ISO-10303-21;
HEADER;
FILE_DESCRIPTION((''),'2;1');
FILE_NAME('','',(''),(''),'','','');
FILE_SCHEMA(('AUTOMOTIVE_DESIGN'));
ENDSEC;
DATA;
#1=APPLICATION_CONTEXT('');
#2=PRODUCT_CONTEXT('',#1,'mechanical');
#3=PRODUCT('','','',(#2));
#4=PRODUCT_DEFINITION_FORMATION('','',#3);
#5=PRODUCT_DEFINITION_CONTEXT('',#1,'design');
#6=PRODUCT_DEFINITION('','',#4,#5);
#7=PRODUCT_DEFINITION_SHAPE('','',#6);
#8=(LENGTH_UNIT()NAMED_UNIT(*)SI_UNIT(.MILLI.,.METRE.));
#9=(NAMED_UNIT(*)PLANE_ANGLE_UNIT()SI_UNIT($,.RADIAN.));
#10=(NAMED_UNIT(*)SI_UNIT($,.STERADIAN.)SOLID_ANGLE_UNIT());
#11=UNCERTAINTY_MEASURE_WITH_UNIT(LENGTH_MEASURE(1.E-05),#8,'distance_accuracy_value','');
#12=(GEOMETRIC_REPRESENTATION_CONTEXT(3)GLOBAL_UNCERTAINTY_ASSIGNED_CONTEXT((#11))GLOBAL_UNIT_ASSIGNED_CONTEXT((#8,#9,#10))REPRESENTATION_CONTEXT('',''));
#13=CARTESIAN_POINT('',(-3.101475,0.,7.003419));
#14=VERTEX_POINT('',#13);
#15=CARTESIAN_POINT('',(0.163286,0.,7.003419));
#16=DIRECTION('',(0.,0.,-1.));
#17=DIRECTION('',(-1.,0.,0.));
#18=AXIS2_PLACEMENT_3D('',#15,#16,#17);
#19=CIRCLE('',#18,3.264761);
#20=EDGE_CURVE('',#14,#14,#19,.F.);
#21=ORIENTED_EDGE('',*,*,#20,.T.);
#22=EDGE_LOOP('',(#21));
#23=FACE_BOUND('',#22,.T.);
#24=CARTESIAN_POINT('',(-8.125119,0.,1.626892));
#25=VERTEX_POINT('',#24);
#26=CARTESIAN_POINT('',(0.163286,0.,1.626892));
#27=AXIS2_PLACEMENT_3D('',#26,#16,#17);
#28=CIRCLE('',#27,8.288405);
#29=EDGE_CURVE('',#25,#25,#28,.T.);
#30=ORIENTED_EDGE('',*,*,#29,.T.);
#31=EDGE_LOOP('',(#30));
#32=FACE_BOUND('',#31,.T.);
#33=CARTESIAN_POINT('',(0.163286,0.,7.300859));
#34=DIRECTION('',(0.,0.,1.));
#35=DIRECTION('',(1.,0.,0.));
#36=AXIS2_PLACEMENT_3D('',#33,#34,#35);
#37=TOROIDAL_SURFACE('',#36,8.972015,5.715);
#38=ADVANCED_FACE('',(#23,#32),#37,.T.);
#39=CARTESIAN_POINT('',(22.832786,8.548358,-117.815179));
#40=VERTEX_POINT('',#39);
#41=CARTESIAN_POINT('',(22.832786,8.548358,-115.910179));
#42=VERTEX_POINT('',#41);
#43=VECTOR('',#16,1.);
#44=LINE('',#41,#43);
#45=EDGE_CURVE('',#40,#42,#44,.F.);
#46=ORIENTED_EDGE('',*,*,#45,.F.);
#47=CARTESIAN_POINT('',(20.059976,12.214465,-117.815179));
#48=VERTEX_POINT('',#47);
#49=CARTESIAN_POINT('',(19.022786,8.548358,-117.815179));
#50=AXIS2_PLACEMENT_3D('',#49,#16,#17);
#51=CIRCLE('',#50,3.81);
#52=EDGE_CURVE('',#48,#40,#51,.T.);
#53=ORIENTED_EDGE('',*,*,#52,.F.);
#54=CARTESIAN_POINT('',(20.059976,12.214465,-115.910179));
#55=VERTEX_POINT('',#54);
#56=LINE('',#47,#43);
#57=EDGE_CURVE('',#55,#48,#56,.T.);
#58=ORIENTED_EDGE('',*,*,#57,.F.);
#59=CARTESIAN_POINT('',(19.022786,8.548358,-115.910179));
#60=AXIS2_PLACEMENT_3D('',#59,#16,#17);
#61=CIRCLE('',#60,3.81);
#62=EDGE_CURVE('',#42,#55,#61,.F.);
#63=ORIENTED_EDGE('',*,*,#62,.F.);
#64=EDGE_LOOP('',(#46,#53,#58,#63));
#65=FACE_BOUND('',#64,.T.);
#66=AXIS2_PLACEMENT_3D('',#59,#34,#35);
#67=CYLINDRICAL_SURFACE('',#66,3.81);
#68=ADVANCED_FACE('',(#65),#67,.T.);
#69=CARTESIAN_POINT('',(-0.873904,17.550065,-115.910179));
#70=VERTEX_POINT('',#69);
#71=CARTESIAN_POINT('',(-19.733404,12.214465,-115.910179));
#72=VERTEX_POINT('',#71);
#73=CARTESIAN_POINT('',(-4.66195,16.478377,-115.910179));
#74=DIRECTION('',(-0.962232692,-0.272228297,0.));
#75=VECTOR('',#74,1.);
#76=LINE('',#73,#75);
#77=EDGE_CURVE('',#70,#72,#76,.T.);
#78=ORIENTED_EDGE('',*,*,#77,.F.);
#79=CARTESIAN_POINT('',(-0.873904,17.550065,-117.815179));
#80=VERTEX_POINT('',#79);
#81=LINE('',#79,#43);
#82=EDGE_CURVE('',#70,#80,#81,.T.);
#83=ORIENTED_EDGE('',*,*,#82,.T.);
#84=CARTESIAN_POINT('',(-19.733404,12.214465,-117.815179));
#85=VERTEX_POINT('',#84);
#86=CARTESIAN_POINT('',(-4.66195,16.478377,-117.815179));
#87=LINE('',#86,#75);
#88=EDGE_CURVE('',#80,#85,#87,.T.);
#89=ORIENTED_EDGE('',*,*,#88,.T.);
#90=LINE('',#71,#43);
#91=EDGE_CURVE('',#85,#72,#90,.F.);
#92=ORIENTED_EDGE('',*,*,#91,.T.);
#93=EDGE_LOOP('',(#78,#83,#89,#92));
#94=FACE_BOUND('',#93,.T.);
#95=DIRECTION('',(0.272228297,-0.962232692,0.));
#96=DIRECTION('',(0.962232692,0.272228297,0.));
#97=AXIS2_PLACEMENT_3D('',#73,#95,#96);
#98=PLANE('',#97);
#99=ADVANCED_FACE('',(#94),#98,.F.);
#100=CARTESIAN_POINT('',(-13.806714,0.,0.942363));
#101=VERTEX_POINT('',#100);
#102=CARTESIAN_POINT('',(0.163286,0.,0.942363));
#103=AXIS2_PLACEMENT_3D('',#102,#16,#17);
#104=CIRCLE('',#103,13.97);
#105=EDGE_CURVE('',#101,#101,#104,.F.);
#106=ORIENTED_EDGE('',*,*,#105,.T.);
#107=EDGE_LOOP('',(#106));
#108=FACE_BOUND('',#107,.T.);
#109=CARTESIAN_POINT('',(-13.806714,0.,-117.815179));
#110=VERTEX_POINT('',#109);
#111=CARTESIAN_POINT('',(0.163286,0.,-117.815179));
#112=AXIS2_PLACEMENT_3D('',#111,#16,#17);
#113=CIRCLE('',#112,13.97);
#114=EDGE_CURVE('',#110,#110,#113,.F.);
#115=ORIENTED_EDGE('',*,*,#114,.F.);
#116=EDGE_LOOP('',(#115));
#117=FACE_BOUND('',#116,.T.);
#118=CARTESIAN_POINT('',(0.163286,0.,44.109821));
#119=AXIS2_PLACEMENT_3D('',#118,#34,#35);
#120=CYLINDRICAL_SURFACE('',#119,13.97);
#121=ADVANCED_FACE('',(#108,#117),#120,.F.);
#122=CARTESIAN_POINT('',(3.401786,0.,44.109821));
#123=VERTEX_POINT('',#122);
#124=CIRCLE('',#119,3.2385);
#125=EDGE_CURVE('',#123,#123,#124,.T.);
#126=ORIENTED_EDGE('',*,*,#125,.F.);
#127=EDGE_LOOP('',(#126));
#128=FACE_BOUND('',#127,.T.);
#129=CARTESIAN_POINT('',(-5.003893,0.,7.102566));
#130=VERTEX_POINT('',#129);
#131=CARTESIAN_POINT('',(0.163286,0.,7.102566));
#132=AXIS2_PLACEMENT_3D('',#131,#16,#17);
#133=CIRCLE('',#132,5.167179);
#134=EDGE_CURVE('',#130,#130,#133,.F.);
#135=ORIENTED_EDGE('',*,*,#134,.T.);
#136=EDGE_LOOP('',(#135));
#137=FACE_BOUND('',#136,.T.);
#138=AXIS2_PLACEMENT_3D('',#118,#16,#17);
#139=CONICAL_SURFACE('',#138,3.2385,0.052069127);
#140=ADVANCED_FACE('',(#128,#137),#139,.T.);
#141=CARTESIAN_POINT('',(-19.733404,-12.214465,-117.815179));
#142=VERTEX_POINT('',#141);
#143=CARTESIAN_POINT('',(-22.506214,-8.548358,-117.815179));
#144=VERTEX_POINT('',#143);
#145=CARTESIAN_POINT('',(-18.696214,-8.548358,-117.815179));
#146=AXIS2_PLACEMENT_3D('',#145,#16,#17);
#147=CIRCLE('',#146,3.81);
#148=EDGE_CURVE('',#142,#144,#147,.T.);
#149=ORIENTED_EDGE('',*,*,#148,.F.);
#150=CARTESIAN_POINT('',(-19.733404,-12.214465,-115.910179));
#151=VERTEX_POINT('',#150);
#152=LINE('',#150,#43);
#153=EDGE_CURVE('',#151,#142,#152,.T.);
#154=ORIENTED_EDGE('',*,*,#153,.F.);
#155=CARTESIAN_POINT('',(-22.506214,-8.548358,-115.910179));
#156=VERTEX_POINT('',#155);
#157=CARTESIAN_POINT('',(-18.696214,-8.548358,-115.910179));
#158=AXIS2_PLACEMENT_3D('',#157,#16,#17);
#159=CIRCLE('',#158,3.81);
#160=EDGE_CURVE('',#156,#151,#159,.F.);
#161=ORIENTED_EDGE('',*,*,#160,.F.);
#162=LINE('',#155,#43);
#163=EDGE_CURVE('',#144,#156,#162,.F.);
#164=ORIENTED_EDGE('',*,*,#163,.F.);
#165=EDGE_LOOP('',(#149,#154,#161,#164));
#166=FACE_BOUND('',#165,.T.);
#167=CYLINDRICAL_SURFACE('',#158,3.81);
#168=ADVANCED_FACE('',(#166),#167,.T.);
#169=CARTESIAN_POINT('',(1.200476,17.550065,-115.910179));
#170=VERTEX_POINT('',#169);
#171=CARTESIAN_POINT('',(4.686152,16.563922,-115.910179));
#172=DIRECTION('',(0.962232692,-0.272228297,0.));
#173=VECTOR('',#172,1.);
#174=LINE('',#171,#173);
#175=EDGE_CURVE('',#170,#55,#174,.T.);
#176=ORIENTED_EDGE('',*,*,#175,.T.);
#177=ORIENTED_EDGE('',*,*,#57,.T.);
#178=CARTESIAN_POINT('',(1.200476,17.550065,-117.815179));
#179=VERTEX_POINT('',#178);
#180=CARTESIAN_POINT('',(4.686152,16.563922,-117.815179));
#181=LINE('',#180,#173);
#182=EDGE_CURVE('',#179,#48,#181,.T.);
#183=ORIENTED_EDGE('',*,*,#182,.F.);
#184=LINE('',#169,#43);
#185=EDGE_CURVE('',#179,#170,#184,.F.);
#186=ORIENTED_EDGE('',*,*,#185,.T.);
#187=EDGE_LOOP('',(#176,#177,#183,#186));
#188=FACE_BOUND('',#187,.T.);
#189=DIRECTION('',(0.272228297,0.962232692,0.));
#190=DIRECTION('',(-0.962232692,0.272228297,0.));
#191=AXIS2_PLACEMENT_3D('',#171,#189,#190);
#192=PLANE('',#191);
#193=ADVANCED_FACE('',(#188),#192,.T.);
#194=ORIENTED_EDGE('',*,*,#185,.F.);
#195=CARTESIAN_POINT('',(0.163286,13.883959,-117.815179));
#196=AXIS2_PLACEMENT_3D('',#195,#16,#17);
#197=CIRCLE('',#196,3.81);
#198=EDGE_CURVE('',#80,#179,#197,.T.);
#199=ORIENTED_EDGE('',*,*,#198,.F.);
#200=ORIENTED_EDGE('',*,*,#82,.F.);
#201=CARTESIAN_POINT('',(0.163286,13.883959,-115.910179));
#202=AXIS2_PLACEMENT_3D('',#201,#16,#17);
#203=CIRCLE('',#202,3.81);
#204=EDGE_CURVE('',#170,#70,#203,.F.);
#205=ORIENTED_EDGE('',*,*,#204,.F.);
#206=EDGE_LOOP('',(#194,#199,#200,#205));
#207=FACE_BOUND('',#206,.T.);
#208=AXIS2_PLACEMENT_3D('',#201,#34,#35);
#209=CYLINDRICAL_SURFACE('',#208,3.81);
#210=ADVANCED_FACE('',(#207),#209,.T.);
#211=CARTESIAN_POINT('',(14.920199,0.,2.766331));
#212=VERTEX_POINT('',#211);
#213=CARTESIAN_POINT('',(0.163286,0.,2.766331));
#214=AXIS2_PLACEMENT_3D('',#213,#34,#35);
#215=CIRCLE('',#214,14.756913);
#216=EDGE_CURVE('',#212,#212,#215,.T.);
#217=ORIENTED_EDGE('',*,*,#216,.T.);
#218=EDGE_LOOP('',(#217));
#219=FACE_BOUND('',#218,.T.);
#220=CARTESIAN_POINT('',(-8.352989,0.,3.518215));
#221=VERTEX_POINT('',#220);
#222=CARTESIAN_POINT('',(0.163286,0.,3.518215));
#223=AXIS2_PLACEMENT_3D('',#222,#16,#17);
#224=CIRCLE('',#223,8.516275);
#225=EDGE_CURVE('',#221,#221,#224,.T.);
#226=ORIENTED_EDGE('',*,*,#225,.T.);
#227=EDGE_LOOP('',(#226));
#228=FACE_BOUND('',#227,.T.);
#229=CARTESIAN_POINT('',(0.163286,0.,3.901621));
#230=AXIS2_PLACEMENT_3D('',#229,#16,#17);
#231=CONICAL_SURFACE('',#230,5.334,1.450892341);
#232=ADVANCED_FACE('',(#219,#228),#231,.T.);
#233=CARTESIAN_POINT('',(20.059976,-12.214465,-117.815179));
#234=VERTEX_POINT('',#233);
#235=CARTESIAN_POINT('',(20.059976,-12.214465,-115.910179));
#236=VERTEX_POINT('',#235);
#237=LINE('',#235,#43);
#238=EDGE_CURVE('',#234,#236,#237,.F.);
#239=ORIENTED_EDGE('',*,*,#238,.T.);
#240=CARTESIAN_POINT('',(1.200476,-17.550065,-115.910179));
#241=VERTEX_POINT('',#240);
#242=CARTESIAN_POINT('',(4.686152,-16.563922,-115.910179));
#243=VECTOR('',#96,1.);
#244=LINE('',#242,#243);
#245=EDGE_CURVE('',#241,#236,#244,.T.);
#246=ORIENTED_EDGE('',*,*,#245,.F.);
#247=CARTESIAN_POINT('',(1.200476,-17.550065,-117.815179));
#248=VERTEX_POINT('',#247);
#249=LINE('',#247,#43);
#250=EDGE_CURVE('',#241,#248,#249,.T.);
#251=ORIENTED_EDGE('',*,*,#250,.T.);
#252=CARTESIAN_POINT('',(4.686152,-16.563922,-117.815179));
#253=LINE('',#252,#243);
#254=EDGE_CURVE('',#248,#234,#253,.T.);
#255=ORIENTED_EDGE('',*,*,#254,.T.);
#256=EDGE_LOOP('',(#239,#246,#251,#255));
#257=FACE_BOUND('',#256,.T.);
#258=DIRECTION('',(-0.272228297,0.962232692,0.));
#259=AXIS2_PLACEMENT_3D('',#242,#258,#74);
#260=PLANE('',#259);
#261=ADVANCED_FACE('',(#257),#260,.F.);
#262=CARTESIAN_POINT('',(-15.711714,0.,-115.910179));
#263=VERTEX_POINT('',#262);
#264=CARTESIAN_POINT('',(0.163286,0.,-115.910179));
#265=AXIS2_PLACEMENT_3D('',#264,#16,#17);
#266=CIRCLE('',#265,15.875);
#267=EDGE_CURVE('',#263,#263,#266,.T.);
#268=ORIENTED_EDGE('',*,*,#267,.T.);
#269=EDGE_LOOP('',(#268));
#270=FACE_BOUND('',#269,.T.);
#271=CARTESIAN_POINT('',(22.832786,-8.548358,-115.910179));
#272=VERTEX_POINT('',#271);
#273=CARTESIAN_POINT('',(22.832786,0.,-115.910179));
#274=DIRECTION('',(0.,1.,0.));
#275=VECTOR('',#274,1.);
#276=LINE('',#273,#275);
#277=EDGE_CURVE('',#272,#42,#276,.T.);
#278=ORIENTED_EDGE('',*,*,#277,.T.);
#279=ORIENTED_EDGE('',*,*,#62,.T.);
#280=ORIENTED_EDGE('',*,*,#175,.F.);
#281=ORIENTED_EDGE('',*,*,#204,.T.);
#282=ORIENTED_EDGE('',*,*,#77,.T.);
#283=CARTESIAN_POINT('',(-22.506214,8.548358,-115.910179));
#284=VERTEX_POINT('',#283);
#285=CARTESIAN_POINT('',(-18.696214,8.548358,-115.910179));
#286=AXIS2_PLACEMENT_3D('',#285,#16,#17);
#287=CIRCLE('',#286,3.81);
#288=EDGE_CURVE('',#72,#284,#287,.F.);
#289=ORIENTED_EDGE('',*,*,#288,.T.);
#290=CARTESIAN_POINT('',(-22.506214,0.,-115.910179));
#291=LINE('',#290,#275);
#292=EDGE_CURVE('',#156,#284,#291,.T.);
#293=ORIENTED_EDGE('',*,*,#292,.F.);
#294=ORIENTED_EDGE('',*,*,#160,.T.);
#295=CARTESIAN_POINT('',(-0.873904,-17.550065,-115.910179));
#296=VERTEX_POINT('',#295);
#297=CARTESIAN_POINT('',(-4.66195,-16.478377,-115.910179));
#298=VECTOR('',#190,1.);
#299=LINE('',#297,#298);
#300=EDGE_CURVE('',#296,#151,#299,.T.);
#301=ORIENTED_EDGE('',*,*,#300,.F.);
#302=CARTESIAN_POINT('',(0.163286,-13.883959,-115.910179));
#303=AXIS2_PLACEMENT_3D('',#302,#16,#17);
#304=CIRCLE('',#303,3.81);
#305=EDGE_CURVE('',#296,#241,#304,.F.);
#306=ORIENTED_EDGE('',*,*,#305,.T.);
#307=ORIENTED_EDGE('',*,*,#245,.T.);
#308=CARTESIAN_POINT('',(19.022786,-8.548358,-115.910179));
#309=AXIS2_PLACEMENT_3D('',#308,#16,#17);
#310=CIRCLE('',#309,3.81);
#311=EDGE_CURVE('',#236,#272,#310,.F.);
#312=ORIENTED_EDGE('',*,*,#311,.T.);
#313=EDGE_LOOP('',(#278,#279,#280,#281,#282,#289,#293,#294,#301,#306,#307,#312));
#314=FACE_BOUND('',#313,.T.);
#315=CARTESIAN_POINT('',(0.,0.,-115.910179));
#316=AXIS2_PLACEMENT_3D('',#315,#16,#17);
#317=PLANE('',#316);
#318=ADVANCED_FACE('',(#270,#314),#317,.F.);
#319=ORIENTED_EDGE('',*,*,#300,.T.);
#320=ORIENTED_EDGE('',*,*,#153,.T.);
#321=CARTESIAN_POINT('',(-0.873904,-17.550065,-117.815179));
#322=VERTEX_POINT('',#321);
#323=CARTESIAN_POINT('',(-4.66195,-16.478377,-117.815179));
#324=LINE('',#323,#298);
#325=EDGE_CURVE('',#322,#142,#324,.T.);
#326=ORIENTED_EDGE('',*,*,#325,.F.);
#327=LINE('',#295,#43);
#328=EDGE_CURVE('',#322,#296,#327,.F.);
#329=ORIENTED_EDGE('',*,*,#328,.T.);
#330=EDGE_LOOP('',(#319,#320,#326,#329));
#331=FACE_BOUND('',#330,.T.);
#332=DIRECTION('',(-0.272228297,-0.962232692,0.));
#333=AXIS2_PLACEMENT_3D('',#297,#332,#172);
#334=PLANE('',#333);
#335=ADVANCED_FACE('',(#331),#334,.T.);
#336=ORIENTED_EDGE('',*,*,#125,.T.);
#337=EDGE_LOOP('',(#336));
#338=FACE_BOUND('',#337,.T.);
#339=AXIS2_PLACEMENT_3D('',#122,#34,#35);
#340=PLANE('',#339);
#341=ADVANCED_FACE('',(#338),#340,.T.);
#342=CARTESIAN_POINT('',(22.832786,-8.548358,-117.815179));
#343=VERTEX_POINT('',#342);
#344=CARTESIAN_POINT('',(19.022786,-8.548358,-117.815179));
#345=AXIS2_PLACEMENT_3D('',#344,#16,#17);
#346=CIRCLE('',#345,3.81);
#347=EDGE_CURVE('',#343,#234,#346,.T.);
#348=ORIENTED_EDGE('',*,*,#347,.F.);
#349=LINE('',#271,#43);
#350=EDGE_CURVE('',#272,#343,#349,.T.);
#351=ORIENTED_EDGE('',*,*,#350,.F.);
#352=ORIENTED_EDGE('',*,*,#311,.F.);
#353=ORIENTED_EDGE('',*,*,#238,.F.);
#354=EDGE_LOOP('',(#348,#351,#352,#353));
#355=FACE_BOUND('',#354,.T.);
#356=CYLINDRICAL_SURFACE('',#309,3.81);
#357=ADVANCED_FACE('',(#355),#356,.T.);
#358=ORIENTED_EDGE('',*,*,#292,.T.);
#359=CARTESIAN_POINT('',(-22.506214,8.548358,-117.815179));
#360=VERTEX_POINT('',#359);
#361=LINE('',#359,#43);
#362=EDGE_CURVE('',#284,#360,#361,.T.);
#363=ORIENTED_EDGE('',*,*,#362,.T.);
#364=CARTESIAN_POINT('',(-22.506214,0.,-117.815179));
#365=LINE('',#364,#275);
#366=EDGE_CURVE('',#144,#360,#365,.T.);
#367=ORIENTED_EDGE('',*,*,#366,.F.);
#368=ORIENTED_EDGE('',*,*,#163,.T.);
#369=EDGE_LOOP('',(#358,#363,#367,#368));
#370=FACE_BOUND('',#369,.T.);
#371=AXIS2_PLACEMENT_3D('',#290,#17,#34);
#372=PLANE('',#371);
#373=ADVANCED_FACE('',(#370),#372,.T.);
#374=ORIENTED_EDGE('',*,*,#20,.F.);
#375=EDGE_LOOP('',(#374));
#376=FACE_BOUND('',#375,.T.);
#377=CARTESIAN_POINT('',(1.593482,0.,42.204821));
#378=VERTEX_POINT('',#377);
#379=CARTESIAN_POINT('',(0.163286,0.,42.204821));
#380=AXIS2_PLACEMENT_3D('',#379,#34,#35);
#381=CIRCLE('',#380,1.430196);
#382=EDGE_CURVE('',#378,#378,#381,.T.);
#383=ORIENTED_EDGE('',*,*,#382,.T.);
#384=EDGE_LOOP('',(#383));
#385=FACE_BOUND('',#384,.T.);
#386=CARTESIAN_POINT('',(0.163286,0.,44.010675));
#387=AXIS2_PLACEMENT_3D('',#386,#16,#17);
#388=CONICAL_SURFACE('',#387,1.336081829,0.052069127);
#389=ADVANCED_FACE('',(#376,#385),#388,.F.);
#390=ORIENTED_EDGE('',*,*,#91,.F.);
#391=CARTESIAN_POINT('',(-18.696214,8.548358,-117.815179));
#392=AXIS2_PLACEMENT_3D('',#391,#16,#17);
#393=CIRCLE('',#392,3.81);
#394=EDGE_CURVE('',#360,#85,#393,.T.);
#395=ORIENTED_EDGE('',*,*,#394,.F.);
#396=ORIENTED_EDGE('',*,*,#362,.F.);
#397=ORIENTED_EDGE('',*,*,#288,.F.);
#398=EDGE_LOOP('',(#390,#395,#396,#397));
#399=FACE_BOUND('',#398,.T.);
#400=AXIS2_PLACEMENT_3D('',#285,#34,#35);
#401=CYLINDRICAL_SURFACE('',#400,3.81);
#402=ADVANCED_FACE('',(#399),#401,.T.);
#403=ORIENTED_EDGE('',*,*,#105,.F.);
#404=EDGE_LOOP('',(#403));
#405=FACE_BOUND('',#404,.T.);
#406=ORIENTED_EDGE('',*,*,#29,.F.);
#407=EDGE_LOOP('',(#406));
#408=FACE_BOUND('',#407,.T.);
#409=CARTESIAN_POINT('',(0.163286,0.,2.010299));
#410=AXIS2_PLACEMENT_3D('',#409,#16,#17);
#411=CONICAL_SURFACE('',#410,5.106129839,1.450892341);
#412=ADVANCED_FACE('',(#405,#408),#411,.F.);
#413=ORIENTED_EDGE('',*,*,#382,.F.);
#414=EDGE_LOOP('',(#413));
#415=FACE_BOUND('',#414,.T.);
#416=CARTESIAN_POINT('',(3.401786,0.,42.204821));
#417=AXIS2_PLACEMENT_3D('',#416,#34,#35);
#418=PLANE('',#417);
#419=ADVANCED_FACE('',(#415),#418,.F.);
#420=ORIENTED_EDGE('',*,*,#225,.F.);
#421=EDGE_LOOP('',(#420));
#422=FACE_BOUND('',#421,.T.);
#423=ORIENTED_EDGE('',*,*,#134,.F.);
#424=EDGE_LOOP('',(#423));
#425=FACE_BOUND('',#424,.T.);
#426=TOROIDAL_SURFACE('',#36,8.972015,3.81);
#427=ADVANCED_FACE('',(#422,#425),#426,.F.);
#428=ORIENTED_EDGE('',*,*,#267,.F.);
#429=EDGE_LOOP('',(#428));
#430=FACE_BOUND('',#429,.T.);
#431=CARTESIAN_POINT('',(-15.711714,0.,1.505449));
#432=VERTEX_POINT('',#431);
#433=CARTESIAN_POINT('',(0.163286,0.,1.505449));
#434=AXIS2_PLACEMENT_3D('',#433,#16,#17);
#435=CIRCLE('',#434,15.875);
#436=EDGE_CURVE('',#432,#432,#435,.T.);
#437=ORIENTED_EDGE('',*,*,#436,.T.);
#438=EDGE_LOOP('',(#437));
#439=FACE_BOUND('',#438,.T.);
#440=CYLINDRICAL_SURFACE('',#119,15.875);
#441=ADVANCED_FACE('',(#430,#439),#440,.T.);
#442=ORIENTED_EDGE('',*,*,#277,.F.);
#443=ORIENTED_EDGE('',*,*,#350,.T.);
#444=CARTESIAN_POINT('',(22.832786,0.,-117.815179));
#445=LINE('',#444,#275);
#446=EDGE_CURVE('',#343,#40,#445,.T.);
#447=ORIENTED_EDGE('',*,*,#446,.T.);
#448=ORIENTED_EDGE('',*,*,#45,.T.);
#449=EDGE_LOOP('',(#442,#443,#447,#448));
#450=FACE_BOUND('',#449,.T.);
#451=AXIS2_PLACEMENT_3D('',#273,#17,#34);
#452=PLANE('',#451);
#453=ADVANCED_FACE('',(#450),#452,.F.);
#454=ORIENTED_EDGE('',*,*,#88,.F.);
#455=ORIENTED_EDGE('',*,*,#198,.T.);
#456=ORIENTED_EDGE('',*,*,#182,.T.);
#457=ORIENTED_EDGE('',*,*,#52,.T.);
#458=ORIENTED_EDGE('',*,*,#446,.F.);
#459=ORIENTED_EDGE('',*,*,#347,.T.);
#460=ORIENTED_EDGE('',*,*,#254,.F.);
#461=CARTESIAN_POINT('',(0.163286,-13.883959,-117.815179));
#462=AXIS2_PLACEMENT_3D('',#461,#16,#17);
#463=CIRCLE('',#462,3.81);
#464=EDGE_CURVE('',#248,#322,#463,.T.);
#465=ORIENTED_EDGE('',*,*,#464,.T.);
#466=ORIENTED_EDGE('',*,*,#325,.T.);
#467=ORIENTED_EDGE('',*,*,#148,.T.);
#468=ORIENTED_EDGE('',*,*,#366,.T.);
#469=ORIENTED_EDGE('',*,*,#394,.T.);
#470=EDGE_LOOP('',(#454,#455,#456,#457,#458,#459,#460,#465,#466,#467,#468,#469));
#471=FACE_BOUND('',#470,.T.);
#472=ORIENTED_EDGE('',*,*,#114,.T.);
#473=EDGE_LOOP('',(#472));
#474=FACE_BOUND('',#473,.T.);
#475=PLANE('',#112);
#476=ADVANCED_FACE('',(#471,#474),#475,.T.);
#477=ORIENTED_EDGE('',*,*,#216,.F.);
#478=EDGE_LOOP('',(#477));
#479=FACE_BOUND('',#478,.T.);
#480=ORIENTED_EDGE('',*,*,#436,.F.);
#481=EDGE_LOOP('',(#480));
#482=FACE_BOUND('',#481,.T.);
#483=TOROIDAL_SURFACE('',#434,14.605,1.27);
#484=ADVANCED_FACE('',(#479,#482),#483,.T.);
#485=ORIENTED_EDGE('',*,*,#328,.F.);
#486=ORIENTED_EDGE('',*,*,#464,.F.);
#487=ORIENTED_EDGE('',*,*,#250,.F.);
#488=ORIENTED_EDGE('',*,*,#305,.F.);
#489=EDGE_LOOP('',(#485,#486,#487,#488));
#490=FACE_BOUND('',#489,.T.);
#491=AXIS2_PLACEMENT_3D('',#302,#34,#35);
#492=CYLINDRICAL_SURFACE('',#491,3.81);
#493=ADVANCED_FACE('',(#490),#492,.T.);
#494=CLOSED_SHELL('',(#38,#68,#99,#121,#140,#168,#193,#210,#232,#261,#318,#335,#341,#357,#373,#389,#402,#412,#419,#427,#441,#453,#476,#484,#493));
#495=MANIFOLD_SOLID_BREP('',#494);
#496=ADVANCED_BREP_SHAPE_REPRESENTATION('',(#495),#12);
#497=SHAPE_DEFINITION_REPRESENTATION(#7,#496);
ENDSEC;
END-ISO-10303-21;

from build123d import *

# Parameters (mm, degrees)
FILLET1_R           = 3.81
SHELL1_T            = -1.905
BOSS_EXTRUDE1_START = -1.905
SKETCH2_R           = 15.875
BOSS_EXTRUDE1_DEPTH = 1.905
FILLET2_R           = 3.81
FILLET3_R           = 1.27


with BuildPart() as part:
    # Sketch1 → Revolve1 (revolve)
    with BuildSketch(Plane(origin=(0, 0, 0), x_dir=(1, 0, 0), z_dir=(0, 1, 0))):
        Polygon((16.038285714, 117.815178571), (16.038285714, -2.631621429), (5.497285714, -3.901621429), (3.401785714, -44.109821429), (0.163285714, -44.109821429), (0.163285714, 117.815178571), align=None)
    revolve(axis=Axis((0.163285714, 0, 44.109821429), (0, 0, -1)))

    # Fillet1
    fillet1_edges = [part.edges().sort_by_distance(p)[0] for p in [
        (-5.170714286, 0, 3.901621429),
    ]]
    fillet(fillet1_edges, radius=FILLET1_R)

    # Shell1
    shell1_openings = [part.faces().sort_by_distance(p)[0] for p in [
        (0.163285714, 0, -117.815178571),
    ]]
    offset(amount=SHELL1_T, openings=shell1_openings, kind=Kind.INTERSECTION)

    # Sketch2 → Boss-Extrude1 (add)
    with BuildSketch(Plane(origin=(0, 0, -117.815178571), x_dir=(-1, 0, 0), z_dir=(0, 0, -1)).offset(BOSS_EXTRUDE1_START)):
        Polygon((-0.163285714, 17.8435), (22.506214286, 11.43), (22.506214286, -11.43), (-0.163285714, -17.8435), (-22.832785714, -11.43), (-22.832785714, 11.43), align=None)
        with Locations((-0.163285714, 0)):
            Circle(SKETCH2_R, mode=Mode.SUBTRACT)
    extrude(amount=BOSS_EXTRUDE1_DEPTH)

    # Fillet2
    fillet2_edges = [part.edges().sort_by_distance(p)[0] for p in [
        (0.163285714, 17.8435, -116.862678571),
        (-22.506214286, 11.43, -116.862678571),
        (-22.506214286, -11.43, -116.862678571),
        (0.163285714, -17.8435, -116.862678571),
        (22.832785714, -11.43, -116.862678571),
        (22.832785714, 11.43, -116.862678571),
    ]]
    fillet(fillet2_edges, radius=FILLET2_R)

    # Fillet3
    fillet3_edges = [part.edges().sort_by_distance(p)[0] for p in [
        (-15.711714286, 0, 2.631621429),
    ]]
    fillet(fillet3_edges, radius=FILLET3_R)


solid = part.part
